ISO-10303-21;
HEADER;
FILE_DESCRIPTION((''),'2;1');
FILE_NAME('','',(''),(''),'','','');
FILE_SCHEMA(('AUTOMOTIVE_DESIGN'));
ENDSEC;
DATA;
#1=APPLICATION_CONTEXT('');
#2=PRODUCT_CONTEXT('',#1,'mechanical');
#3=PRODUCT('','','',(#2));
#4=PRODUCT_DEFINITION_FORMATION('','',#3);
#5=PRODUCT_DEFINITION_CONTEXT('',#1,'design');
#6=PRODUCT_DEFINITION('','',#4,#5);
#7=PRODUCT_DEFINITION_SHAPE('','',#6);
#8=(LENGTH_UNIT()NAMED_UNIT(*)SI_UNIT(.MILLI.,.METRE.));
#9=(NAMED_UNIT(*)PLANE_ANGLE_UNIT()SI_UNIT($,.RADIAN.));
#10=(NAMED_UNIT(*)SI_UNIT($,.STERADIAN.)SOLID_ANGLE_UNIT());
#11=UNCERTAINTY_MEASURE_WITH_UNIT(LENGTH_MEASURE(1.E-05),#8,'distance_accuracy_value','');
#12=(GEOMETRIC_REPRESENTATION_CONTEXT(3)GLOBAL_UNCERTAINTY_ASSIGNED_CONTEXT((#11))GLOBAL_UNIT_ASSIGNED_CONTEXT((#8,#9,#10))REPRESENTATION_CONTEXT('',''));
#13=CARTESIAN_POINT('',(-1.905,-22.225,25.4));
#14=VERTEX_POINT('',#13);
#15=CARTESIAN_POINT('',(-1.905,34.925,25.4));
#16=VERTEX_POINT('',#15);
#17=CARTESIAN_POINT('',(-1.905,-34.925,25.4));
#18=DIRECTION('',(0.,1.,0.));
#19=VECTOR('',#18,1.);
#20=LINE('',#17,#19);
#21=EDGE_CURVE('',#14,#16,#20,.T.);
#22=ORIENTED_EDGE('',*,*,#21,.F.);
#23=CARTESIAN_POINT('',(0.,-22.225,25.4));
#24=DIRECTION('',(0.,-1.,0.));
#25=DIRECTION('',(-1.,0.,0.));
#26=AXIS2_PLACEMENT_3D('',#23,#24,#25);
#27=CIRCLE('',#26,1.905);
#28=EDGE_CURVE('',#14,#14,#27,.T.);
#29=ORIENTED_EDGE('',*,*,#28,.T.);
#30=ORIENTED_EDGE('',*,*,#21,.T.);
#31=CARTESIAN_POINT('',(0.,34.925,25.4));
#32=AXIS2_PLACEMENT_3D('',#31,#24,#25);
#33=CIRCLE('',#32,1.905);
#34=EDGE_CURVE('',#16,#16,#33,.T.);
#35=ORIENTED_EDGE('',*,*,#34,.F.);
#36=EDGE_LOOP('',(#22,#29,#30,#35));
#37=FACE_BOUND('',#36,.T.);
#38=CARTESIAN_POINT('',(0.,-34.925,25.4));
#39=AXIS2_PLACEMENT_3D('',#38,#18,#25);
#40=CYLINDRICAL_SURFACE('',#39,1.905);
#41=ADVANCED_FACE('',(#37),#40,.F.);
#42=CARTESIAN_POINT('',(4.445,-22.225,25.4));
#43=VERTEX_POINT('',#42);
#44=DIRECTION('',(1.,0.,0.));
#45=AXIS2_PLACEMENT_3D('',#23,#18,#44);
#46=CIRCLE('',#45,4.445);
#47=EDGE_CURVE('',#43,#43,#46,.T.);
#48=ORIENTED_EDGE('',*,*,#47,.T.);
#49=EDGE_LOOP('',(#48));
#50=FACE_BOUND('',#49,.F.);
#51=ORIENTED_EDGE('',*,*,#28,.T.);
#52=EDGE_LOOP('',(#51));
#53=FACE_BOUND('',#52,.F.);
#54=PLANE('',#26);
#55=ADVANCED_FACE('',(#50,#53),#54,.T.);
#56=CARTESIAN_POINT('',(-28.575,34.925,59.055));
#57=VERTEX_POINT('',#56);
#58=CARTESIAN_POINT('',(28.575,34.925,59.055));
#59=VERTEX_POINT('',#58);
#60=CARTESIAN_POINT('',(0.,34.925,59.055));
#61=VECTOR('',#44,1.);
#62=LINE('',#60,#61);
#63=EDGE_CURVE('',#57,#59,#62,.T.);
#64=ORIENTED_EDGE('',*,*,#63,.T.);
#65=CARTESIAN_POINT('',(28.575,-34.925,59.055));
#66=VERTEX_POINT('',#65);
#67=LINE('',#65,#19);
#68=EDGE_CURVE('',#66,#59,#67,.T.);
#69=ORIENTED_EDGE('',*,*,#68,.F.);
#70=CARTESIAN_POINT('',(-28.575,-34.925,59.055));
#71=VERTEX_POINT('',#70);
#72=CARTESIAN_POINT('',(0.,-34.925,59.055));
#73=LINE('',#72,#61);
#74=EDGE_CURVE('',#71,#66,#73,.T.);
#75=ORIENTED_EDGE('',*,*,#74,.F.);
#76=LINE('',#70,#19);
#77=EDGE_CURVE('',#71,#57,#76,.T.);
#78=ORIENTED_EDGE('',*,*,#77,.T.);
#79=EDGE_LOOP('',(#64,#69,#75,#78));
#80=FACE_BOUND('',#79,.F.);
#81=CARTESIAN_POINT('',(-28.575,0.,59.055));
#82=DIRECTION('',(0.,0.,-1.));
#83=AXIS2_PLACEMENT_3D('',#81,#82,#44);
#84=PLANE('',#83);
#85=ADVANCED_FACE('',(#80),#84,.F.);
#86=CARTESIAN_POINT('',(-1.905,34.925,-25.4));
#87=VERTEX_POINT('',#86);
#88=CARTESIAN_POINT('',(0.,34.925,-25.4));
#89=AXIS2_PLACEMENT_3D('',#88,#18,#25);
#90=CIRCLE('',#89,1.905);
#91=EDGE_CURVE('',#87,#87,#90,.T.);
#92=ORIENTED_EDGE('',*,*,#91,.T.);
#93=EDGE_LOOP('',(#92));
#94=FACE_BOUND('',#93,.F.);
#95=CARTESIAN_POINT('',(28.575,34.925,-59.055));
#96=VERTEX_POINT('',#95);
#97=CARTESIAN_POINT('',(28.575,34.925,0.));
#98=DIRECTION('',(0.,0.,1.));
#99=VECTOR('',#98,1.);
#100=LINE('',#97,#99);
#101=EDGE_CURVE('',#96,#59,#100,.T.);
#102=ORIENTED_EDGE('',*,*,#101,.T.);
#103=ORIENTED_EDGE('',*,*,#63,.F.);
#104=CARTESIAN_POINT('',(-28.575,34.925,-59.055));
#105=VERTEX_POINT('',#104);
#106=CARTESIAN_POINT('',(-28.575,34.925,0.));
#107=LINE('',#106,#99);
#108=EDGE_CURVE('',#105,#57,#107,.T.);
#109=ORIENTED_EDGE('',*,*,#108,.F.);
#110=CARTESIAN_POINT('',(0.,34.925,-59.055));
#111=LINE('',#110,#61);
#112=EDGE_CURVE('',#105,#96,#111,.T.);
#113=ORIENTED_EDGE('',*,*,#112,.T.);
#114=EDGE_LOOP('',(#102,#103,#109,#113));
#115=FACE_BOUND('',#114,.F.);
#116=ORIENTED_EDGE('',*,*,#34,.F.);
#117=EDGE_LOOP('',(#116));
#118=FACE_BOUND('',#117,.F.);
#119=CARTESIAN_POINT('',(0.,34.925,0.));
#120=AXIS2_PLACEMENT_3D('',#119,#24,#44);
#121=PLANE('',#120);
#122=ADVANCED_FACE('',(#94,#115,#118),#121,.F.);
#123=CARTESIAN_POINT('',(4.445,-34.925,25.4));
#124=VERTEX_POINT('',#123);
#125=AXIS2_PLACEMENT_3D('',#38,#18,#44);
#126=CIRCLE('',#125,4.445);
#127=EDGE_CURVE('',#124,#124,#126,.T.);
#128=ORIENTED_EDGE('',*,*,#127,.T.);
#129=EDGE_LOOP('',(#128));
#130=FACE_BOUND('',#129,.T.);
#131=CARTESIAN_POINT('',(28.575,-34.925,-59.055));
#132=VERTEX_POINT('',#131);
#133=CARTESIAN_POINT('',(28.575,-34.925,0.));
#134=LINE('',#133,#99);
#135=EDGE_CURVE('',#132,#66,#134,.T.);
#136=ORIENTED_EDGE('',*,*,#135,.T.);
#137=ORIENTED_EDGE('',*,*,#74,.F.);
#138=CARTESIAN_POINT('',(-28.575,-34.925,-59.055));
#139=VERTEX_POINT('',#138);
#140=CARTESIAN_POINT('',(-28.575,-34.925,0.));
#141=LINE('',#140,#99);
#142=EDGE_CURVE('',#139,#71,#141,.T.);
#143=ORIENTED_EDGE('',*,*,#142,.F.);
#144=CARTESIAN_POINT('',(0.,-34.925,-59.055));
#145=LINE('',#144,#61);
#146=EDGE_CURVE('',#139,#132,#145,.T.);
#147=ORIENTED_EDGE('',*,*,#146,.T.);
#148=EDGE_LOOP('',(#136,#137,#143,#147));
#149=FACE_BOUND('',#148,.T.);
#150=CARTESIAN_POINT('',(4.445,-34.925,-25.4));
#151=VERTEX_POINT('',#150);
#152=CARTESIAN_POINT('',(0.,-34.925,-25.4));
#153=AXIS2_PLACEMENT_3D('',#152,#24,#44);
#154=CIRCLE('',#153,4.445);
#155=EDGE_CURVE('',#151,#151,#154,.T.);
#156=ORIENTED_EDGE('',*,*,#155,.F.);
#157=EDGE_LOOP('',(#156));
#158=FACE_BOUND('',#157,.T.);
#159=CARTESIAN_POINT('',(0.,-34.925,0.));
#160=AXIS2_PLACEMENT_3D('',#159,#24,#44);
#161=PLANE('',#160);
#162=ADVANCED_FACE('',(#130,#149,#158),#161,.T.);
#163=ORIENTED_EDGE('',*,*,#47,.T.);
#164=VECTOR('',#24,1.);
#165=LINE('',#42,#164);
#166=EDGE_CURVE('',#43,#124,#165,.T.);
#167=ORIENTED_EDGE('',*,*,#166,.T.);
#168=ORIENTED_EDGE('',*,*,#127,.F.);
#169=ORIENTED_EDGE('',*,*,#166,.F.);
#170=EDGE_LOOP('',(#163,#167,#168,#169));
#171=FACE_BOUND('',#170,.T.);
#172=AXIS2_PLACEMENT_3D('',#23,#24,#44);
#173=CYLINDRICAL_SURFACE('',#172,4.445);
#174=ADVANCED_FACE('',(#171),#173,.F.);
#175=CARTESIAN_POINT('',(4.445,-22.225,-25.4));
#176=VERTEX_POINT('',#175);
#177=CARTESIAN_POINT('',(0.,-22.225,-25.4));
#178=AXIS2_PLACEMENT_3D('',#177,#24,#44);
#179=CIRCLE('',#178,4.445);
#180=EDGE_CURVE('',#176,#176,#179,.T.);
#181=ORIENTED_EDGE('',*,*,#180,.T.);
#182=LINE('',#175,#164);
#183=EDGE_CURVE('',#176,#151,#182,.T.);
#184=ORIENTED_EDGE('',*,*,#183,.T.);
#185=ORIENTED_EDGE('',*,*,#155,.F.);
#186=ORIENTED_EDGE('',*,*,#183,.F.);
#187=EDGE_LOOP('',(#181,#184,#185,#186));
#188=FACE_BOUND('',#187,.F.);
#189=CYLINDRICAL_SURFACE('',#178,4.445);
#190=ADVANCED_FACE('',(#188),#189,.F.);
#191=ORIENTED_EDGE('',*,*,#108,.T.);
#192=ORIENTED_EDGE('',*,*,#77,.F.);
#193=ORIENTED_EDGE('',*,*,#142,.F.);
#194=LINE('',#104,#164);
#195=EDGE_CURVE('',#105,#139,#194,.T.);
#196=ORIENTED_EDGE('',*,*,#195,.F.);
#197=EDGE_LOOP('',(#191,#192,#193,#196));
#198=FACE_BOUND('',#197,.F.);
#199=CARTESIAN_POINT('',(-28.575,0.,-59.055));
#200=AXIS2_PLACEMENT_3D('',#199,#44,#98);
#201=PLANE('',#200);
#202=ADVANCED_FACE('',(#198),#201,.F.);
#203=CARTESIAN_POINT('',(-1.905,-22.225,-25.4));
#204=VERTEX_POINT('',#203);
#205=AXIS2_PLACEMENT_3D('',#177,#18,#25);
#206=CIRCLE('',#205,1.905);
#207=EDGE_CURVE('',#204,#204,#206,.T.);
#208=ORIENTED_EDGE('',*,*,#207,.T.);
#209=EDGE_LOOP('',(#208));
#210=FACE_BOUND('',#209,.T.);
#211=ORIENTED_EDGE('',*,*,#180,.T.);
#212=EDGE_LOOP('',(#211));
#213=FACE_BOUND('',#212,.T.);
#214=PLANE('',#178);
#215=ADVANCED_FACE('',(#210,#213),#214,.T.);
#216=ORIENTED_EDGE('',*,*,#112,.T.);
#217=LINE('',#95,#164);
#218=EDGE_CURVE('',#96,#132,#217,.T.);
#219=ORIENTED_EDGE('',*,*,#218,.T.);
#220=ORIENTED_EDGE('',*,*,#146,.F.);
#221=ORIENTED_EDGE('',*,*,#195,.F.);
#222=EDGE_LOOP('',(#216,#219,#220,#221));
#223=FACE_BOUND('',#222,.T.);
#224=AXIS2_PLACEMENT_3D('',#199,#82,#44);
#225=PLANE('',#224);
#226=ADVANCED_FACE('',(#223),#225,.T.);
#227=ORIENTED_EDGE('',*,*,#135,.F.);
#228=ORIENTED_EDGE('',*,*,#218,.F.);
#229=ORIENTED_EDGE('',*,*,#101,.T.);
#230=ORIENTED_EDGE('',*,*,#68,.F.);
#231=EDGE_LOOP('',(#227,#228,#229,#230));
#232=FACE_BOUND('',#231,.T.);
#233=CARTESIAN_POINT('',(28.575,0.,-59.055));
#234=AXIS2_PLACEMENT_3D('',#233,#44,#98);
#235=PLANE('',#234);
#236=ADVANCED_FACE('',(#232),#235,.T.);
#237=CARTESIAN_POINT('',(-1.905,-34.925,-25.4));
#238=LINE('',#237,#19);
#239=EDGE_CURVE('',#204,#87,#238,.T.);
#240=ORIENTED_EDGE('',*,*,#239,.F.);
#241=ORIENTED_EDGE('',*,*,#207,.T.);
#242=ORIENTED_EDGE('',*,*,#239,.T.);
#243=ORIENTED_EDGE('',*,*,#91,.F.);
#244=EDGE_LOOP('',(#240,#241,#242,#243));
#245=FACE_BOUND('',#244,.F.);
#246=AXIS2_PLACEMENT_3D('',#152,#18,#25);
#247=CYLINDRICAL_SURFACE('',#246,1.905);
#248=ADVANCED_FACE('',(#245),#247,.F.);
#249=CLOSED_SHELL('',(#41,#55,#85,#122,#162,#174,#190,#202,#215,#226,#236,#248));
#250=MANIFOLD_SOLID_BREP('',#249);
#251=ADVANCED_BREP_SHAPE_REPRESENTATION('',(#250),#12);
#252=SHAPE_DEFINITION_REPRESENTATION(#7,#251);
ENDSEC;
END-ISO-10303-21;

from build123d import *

# Parameters (mm, degrees)
F1_W           = 57.15
F1_H           = 118.11
F2_DEPTH       = 34.925
F4_D           = 3.81
F4_CBORE_D     = 8.89
F4_CBORE_DEPTH = 12.7


with BuildPart() as f2:
    # F1 (on Front) → F2 (new body, symmetric)
    with BuildSketch(Plane.XZ):
        Rectangle(F1_W, F1_H)
    extrude(amount=F2_DEPTH, both=True)

    # F4 (through all)
    with Locations(Plane.XZ.offset(34.925)):
        with Locations((0, -25.4)):
            CounterBoreHole(F4_D / 2, F4_CBORE_D / 2, F4_CBORE_DEPTH)

    # F5: F2 across plane


with BuildPart() as f2_1:
    add(f2.part)
    add(f2.part.mirror(Plane.XY), mode=Mode.INTERSECT)


solid = f2_1.part
